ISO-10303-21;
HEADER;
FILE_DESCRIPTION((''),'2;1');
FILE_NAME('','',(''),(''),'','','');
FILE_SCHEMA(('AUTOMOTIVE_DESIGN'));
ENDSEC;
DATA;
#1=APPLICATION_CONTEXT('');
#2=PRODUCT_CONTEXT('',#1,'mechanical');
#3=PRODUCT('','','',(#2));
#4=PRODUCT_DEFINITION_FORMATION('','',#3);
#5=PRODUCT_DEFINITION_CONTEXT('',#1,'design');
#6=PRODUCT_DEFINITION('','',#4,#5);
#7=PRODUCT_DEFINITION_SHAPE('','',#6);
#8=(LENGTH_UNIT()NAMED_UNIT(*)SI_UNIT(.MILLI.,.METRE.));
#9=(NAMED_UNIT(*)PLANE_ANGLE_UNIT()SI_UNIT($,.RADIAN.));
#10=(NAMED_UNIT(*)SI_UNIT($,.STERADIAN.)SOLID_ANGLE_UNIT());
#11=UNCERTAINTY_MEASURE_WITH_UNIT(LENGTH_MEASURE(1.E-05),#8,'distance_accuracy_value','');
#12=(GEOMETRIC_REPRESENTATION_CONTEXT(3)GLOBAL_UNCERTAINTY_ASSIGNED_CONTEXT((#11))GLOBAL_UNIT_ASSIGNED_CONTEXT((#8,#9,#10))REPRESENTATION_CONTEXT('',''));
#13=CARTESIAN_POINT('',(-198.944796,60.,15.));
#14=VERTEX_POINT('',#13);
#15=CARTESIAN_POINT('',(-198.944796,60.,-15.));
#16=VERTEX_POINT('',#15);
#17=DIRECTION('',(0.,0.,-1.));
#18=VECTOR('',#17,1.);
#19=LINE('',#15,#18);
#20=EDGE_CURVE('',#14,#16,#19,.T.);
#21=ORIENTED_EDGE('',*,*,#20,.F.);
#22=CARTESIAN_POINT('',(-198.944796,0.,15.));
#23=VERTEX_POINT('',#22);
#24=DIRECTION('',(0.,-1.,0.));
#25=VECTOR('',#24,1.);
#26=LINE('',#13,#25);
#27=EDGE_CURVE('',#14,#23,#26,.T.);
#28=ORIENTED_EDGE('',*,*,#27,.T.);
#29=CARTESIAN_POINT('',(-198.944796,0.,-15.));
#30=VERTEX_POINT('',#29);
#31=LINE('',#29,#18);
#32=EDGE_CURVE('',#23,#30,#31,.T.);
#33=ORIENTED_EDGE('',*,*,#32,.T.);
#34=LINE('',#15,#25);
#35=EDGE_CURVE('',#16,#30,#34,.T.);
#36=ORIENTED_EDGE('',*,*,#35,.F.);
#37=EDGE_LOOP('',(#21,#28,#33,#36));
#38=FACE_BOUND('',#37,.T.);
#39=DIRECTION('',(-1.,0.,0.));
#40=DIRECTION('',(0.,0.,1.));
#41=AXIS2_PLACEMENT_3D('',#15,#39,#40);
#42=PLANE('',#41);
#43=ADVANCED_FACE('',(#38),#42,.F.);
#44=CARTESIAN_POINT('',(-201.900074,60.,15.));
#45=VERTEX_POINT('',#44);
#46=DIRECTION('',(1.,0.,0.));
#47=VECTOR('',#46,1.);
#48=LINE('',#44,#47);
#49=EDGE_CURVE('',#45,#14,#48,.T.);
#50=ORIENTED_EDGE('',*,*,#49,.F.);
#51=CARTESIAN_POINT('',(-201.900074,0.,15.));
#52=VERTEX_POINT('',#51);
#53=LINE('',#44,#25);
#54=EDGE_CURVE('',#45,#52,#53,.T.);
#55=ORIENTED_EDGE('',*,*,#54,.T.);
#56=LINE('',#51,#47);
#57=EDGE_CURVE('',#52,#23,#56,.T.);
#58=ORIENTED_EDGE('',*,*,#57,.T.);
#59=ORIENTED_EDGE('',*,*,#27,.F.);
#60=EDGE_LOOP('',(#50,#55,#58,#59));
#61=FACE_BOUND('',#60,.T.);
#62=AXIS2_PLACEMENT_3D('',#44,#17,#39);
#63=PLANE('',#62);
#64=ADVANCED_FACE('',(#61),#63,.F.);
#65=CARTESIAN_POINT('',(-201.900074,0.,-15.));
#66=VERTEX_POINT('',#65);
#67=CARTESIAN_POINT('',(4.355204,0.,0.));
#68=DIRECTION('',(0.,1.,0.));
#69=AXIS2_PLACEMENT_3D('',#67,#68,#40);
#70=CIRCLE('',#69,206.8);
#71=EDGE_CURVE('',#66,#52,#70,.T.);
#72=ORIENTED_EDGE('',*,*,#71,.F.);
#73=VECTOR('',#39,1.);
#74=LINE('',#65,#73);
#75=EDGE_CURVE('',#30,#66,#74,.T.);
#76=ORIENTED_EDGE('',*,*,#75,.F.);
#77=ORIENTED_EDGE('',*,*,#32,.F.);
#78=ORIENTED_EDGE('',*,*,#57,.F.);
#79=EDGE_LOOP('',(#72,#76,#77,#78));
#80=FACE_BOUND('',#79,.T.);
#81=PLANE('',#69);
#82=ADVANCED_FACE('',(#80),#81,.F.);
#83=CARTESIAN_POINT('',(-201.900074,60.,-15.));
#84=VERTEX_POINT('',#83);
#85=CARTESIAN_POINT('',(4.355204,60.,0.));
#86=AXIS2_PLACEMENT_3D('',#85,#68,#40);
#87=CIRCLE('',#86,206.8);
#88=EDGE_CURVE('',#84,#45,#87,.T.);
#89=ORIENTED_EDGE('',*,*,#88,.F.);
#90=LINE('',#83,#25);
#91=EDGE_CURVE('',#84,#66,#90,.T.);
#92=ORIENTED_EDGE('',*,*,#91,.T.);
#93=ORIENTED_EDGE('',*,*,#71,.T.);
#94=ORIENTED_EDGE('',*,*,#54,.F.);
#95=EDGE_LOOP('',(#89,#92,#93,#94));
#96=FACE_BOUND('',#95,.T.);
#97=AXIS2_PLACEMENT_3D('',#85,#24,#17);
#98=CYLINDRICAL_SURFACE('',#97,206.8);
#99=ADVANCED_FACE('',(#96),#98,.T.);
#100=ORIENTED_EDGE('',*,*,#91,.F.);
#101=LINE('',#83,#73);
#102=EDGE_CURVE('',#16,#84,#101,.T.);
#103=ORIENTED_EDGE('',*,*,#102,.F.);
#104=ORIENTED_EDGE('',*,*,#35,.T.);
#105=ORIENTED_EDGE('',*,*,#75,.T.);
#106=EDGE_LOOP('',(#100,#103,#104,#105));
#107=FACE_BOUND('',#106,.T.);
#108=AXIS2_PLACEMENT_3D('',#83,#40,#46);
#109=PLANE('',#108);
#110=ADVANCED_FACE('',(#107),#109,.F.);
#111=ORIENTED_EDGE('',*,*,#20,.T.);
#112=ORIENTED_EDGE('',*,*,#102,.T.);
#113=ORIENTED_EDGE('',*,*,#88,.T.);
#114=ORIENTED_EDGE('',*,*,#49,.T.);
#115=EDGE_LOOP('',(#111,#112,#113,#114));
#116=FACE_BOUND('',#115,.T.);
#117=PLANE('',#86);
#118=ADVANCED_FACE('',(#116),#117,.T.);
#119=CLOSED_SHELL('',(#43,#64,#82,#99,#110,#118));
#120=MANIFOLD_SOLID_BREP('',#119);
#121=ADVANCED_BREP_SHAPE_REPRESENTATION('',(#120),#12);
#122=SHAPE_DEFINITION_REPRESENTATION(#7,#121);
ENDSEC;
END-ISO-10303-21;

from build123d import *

# Parameters (mm, degrees)
EXTRUDE_1_DEPTH = 60


with BuildPart() as part:
    # 草图1 → 凸台-拉伸1 (new body)
    with BuildSketch(Plane(origin=(0, 0, 0), x_dir=(1, 0, 0), z_dir=(0, 1, 0))):
        with BuildLine():
            Line((-201.900074385, 15), (-198.944795665, 15))
            Line((-198.944795665, 15), (-198.944795665, -15))
            Line((-198.944795665, -15), (-201.900074385, -15))
            ThreePointArc((-201.900074385, -15), (-202.444795665, 0), (-201.900074385, 15))
        make_face()
    extrude(amount=EXTRUDE_1_DEPTH)


solid = part.part
